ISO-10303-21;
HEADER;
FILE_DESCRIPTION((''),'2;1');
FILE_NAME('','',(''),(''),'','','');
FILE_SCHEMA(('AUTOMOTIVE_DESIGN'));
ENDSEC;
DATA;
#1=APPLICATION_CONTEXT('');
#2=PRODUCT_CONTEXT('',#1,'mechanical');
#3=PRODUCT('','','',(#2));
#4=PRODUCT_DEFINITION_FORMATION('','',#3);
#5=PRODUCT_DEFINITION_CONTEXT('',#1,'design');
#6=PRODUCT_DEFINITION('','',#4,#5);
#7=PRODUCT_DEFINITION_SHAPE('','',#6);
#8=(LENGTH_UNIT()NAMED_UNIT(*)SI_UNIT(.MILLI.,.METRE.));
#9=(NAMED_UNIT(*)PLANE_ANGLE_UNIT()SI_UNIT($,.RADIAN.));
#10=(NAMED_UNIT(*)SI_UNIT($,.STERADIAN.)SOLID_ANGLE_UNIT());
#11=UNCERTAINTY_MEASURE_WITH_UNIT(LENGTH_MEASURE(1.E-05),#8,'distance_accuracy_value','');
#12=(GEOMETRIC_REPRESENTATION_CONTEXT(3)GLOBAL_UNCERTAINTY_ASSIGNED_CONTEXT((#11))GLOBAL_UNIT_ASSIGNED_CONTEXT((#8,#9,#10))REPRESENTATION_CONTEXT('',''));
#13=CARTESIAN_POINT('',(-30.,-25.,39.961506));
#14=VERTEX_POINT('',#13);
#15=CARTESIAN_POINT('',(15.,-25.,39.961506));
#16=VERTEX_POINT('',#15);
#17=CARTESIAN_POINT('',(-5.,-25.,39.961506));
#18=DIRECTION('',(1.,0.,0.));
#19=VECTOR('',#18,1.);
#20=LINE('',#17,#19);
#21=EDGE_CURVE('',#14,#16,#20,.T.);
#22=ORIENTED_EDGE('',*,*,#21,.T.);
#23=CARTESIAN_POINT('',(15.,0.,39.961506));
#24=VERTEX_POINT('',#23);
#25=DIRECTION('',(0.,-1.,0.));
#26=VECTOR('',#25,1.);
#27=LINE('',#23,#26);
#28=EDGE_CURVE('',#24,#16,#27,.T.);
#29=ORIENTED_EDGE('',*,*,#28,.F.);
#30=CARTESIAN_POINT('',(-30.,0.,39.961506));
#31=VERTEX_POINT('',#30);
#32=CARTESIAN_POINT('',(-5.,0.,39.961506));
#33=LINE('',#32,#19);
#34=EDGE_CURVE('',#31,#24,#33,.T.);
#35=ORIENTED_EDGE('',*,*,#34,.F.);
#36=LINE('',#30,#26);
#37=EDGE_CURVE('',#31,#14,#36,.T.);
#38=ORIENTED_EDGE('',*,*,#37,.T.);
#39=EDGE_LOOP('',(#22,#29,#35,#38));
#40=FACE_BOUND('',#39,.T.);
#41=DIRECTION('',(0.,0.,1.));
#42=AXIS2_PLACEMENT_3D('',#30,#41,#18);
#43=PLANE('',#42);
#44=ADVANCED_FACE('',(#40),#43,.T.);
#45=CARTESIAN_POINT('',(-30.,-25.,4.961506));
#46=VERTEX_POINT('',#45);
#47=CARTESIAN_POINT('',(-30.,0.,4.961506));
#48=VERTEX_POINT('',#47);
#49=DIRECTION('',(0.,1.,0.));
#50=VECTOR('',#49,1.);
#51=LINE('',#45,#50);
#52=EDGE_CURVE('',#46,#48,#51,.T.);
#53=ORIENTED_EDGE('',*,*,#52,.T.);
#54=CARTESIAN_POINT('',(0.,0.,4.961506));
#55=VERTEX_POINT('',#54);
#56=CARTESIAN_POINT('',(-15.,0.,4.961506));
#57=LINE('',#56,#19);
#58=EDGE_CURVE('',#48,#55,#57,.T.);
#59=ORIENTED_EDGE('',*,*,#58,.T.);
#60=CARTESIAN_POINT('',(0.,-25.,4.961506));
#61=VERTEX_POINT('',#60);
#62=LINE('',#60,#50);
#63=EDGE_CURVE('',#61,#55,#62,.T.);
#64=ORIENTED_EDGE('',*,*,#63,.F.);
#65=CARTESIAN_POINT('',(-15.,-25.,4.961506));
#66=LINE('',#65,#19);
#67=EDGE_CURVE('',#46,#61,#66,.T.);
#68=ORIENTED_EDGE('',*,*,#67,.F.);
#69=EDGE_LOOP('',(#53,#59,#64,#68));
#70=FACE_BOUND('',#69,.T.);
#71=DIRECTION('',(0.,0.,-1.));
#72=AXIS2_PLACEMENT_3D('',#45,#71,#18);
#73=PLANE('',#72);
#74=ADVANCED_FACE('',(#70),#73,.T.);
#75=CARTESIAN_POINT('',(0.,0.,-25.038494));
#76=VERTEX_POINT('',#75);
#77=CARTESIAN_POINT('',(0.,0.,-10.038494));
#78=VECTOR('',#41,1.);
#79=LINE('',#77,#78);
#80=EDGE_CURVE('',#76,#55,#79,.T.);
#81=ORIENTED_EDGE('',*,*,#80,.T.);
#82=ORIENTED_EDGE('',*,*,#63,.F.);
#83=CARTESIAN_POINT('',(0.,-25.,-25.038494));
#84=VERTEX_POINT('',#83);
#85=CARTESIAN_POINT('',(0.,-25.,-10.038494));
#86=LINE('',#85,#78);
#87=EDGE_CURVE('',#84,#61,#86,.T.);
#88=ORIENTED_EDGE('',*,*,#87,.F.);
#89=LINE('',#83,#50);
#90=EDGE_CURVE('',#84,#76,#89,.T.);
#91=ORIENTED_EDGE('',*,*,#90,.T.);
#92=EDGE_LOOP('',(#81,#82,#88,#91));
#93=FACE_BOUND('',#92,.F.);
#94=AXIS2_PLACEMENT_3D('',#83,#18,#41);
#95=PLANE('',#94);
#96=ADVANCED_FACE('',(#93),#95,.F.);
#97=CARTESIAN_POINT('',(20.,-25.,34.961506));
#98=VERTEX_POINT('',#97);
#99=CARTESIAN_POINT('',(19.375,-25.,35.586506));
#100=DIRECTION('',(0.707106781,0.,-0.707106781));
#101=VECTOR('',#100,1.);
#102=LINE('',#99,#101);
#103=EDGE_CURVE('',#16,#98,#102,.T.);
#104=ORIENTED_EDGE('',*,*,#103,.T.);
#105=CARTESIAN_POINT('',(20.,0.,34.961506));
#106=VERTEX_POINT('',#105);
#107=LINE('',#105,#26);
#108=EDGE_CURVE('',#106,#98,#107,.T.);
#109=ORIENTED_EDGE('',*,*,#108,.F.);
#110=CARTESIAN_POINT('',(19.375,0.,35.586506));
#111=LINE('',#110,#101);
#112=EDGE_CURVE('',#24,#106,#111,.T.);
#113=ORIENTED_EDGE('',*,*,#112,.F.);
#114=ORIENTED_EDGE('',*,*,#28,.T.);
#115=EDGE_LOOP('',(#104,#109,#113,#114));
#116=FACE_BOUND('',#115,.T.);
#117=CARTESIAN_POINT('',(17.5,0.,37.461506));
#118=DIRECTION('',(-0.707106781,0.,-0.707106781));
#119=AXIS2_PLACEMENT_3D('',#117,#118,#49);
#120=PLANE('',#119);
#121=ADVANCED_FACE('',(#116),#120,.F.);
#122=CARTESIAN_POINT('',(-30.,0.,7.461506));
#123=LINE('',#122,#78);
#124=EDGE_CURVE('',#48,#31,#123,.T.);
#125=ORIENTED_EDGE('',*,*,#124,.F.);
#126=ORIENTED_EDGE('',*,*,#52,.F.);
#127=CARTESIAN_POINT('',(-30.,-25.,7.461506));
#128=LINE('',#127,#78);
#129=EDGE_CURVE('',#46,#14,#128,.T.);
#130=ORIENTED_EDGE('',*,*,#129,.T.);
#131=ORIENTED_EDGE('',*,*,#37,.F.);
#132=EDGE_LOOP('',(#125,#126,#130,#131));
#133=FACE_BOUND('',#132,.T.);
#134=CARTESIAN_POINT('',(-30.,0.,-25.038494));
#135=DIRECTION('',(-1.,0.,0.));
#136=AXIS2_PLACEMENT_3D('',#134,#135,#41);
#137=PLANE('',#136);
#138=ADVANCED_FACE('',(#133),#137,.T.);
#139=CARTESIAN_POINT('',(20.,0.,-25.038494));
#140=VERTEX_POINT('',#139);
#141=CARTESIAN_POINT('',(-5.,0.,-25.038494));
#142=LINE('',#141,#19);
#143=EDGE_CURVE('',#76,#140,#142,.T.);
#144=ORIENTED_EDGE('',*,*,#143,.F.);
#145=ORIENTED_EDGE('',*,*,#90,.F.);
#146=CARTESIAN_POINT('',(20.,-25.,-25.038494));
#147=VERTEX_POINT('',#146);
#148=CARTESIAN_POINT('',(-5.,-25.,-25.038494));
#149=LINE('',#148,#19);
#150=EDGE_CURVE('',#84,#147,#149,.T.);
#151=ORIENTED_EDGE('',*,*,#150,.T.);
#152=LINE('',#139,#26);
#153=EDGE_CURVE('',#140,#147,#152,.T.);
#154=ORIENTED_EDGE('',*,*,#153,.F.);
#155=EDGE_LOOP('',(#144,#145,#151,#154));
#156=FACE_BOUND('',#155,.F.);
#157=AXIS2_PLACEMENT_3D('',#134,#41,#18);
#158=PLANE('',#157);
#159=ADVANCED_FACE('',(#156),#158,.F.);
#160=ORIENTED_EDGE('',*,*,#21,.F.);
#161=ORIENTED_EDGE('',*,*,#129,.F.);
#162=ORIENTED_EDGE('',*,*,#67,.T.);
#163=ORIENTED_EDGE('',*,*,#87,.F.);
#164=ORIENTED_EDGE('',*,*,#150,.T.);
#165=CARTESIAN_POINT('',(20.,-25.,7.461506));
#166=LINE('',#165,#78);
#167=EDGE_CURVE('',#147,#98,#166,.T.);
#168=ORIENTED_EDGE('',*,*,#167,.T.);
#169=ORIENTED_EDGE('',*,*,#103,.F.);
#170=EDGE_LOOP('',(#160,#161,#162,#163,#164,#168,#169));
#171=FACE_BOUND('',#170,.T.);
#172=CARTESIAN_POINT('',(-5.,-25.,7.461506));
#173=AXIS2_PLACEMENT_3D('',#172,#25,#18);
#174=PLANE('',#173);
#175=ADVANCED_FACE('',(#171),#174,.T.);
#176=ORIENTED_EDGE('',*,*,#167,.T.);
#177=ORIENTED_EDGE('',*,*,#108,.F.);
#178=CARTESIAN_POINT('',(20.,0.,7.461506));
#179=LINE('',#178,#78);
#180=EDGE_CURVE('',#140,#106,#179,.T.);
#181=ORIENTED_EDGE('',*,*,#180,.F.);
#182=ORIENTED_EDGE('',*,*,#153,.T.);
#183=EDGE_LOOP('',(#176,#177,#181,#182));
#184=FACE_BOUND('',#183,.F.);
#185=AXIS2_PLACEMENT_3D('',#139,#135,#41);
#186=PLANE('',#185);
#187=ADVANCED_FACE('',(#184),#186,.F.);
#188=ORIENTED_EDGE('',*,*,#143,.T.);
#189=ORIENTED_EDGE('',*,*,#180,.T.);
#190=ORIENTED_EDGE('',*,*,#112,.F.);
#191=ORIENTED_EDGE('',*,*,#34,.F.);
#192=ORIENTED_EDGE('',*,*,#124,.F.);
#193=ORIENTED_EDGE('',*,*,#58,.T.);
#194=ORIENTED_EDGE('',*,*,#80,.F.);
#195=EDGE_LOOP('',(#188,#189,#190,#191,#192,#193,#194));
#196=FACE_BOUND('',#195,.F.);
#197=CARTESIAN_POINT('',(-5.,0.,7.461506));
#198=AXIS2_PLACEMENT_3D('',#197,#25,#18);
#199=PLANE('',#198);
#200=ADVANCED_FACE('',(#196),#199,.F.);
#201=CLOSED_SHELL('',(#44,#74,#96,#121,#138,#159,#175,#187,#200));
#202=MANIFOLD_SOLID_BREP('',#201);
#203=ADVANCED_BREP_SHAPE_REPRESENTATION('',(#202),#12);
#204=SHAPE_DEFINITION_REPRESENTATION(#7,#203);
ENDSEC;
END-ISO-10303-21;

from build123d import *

# Parameters (mm, degrees)
F4_W     = 50
F4_H     = 65
F0_DEPTH = 25
F1_W     = 30
F1_H     = 30
F2_DEPTH = 25
F3_SIZE  = 5


with BuildPart() as f0:
    # F4 (on Front) → F0 (new body)
    with BuildSketch(Plane.XZ):
        with Locations((-5, 7.461506)):
            Rectangle(F4_W, F4_H)
    extrude(amount=F0_DEPTH)

    # F1 (on face) → F2 (cut)
    with BuildSketch(Plane.XZ.offset(25)):
        with Locations((-15, -10.038494)):
            Rectangle(F1_W, F1_H)
    extrude(amount=-F2_DEPTH, mode=Mode.SUBTRACT)

    # F3
    f3_edges = [f0.edges().sort_by_distance(p)[0] for p in [
        (20, -12.5, 39.961506),
    ]]
    chamfer(f3_edges, length=F3_SIZE)


solid = f0.part
